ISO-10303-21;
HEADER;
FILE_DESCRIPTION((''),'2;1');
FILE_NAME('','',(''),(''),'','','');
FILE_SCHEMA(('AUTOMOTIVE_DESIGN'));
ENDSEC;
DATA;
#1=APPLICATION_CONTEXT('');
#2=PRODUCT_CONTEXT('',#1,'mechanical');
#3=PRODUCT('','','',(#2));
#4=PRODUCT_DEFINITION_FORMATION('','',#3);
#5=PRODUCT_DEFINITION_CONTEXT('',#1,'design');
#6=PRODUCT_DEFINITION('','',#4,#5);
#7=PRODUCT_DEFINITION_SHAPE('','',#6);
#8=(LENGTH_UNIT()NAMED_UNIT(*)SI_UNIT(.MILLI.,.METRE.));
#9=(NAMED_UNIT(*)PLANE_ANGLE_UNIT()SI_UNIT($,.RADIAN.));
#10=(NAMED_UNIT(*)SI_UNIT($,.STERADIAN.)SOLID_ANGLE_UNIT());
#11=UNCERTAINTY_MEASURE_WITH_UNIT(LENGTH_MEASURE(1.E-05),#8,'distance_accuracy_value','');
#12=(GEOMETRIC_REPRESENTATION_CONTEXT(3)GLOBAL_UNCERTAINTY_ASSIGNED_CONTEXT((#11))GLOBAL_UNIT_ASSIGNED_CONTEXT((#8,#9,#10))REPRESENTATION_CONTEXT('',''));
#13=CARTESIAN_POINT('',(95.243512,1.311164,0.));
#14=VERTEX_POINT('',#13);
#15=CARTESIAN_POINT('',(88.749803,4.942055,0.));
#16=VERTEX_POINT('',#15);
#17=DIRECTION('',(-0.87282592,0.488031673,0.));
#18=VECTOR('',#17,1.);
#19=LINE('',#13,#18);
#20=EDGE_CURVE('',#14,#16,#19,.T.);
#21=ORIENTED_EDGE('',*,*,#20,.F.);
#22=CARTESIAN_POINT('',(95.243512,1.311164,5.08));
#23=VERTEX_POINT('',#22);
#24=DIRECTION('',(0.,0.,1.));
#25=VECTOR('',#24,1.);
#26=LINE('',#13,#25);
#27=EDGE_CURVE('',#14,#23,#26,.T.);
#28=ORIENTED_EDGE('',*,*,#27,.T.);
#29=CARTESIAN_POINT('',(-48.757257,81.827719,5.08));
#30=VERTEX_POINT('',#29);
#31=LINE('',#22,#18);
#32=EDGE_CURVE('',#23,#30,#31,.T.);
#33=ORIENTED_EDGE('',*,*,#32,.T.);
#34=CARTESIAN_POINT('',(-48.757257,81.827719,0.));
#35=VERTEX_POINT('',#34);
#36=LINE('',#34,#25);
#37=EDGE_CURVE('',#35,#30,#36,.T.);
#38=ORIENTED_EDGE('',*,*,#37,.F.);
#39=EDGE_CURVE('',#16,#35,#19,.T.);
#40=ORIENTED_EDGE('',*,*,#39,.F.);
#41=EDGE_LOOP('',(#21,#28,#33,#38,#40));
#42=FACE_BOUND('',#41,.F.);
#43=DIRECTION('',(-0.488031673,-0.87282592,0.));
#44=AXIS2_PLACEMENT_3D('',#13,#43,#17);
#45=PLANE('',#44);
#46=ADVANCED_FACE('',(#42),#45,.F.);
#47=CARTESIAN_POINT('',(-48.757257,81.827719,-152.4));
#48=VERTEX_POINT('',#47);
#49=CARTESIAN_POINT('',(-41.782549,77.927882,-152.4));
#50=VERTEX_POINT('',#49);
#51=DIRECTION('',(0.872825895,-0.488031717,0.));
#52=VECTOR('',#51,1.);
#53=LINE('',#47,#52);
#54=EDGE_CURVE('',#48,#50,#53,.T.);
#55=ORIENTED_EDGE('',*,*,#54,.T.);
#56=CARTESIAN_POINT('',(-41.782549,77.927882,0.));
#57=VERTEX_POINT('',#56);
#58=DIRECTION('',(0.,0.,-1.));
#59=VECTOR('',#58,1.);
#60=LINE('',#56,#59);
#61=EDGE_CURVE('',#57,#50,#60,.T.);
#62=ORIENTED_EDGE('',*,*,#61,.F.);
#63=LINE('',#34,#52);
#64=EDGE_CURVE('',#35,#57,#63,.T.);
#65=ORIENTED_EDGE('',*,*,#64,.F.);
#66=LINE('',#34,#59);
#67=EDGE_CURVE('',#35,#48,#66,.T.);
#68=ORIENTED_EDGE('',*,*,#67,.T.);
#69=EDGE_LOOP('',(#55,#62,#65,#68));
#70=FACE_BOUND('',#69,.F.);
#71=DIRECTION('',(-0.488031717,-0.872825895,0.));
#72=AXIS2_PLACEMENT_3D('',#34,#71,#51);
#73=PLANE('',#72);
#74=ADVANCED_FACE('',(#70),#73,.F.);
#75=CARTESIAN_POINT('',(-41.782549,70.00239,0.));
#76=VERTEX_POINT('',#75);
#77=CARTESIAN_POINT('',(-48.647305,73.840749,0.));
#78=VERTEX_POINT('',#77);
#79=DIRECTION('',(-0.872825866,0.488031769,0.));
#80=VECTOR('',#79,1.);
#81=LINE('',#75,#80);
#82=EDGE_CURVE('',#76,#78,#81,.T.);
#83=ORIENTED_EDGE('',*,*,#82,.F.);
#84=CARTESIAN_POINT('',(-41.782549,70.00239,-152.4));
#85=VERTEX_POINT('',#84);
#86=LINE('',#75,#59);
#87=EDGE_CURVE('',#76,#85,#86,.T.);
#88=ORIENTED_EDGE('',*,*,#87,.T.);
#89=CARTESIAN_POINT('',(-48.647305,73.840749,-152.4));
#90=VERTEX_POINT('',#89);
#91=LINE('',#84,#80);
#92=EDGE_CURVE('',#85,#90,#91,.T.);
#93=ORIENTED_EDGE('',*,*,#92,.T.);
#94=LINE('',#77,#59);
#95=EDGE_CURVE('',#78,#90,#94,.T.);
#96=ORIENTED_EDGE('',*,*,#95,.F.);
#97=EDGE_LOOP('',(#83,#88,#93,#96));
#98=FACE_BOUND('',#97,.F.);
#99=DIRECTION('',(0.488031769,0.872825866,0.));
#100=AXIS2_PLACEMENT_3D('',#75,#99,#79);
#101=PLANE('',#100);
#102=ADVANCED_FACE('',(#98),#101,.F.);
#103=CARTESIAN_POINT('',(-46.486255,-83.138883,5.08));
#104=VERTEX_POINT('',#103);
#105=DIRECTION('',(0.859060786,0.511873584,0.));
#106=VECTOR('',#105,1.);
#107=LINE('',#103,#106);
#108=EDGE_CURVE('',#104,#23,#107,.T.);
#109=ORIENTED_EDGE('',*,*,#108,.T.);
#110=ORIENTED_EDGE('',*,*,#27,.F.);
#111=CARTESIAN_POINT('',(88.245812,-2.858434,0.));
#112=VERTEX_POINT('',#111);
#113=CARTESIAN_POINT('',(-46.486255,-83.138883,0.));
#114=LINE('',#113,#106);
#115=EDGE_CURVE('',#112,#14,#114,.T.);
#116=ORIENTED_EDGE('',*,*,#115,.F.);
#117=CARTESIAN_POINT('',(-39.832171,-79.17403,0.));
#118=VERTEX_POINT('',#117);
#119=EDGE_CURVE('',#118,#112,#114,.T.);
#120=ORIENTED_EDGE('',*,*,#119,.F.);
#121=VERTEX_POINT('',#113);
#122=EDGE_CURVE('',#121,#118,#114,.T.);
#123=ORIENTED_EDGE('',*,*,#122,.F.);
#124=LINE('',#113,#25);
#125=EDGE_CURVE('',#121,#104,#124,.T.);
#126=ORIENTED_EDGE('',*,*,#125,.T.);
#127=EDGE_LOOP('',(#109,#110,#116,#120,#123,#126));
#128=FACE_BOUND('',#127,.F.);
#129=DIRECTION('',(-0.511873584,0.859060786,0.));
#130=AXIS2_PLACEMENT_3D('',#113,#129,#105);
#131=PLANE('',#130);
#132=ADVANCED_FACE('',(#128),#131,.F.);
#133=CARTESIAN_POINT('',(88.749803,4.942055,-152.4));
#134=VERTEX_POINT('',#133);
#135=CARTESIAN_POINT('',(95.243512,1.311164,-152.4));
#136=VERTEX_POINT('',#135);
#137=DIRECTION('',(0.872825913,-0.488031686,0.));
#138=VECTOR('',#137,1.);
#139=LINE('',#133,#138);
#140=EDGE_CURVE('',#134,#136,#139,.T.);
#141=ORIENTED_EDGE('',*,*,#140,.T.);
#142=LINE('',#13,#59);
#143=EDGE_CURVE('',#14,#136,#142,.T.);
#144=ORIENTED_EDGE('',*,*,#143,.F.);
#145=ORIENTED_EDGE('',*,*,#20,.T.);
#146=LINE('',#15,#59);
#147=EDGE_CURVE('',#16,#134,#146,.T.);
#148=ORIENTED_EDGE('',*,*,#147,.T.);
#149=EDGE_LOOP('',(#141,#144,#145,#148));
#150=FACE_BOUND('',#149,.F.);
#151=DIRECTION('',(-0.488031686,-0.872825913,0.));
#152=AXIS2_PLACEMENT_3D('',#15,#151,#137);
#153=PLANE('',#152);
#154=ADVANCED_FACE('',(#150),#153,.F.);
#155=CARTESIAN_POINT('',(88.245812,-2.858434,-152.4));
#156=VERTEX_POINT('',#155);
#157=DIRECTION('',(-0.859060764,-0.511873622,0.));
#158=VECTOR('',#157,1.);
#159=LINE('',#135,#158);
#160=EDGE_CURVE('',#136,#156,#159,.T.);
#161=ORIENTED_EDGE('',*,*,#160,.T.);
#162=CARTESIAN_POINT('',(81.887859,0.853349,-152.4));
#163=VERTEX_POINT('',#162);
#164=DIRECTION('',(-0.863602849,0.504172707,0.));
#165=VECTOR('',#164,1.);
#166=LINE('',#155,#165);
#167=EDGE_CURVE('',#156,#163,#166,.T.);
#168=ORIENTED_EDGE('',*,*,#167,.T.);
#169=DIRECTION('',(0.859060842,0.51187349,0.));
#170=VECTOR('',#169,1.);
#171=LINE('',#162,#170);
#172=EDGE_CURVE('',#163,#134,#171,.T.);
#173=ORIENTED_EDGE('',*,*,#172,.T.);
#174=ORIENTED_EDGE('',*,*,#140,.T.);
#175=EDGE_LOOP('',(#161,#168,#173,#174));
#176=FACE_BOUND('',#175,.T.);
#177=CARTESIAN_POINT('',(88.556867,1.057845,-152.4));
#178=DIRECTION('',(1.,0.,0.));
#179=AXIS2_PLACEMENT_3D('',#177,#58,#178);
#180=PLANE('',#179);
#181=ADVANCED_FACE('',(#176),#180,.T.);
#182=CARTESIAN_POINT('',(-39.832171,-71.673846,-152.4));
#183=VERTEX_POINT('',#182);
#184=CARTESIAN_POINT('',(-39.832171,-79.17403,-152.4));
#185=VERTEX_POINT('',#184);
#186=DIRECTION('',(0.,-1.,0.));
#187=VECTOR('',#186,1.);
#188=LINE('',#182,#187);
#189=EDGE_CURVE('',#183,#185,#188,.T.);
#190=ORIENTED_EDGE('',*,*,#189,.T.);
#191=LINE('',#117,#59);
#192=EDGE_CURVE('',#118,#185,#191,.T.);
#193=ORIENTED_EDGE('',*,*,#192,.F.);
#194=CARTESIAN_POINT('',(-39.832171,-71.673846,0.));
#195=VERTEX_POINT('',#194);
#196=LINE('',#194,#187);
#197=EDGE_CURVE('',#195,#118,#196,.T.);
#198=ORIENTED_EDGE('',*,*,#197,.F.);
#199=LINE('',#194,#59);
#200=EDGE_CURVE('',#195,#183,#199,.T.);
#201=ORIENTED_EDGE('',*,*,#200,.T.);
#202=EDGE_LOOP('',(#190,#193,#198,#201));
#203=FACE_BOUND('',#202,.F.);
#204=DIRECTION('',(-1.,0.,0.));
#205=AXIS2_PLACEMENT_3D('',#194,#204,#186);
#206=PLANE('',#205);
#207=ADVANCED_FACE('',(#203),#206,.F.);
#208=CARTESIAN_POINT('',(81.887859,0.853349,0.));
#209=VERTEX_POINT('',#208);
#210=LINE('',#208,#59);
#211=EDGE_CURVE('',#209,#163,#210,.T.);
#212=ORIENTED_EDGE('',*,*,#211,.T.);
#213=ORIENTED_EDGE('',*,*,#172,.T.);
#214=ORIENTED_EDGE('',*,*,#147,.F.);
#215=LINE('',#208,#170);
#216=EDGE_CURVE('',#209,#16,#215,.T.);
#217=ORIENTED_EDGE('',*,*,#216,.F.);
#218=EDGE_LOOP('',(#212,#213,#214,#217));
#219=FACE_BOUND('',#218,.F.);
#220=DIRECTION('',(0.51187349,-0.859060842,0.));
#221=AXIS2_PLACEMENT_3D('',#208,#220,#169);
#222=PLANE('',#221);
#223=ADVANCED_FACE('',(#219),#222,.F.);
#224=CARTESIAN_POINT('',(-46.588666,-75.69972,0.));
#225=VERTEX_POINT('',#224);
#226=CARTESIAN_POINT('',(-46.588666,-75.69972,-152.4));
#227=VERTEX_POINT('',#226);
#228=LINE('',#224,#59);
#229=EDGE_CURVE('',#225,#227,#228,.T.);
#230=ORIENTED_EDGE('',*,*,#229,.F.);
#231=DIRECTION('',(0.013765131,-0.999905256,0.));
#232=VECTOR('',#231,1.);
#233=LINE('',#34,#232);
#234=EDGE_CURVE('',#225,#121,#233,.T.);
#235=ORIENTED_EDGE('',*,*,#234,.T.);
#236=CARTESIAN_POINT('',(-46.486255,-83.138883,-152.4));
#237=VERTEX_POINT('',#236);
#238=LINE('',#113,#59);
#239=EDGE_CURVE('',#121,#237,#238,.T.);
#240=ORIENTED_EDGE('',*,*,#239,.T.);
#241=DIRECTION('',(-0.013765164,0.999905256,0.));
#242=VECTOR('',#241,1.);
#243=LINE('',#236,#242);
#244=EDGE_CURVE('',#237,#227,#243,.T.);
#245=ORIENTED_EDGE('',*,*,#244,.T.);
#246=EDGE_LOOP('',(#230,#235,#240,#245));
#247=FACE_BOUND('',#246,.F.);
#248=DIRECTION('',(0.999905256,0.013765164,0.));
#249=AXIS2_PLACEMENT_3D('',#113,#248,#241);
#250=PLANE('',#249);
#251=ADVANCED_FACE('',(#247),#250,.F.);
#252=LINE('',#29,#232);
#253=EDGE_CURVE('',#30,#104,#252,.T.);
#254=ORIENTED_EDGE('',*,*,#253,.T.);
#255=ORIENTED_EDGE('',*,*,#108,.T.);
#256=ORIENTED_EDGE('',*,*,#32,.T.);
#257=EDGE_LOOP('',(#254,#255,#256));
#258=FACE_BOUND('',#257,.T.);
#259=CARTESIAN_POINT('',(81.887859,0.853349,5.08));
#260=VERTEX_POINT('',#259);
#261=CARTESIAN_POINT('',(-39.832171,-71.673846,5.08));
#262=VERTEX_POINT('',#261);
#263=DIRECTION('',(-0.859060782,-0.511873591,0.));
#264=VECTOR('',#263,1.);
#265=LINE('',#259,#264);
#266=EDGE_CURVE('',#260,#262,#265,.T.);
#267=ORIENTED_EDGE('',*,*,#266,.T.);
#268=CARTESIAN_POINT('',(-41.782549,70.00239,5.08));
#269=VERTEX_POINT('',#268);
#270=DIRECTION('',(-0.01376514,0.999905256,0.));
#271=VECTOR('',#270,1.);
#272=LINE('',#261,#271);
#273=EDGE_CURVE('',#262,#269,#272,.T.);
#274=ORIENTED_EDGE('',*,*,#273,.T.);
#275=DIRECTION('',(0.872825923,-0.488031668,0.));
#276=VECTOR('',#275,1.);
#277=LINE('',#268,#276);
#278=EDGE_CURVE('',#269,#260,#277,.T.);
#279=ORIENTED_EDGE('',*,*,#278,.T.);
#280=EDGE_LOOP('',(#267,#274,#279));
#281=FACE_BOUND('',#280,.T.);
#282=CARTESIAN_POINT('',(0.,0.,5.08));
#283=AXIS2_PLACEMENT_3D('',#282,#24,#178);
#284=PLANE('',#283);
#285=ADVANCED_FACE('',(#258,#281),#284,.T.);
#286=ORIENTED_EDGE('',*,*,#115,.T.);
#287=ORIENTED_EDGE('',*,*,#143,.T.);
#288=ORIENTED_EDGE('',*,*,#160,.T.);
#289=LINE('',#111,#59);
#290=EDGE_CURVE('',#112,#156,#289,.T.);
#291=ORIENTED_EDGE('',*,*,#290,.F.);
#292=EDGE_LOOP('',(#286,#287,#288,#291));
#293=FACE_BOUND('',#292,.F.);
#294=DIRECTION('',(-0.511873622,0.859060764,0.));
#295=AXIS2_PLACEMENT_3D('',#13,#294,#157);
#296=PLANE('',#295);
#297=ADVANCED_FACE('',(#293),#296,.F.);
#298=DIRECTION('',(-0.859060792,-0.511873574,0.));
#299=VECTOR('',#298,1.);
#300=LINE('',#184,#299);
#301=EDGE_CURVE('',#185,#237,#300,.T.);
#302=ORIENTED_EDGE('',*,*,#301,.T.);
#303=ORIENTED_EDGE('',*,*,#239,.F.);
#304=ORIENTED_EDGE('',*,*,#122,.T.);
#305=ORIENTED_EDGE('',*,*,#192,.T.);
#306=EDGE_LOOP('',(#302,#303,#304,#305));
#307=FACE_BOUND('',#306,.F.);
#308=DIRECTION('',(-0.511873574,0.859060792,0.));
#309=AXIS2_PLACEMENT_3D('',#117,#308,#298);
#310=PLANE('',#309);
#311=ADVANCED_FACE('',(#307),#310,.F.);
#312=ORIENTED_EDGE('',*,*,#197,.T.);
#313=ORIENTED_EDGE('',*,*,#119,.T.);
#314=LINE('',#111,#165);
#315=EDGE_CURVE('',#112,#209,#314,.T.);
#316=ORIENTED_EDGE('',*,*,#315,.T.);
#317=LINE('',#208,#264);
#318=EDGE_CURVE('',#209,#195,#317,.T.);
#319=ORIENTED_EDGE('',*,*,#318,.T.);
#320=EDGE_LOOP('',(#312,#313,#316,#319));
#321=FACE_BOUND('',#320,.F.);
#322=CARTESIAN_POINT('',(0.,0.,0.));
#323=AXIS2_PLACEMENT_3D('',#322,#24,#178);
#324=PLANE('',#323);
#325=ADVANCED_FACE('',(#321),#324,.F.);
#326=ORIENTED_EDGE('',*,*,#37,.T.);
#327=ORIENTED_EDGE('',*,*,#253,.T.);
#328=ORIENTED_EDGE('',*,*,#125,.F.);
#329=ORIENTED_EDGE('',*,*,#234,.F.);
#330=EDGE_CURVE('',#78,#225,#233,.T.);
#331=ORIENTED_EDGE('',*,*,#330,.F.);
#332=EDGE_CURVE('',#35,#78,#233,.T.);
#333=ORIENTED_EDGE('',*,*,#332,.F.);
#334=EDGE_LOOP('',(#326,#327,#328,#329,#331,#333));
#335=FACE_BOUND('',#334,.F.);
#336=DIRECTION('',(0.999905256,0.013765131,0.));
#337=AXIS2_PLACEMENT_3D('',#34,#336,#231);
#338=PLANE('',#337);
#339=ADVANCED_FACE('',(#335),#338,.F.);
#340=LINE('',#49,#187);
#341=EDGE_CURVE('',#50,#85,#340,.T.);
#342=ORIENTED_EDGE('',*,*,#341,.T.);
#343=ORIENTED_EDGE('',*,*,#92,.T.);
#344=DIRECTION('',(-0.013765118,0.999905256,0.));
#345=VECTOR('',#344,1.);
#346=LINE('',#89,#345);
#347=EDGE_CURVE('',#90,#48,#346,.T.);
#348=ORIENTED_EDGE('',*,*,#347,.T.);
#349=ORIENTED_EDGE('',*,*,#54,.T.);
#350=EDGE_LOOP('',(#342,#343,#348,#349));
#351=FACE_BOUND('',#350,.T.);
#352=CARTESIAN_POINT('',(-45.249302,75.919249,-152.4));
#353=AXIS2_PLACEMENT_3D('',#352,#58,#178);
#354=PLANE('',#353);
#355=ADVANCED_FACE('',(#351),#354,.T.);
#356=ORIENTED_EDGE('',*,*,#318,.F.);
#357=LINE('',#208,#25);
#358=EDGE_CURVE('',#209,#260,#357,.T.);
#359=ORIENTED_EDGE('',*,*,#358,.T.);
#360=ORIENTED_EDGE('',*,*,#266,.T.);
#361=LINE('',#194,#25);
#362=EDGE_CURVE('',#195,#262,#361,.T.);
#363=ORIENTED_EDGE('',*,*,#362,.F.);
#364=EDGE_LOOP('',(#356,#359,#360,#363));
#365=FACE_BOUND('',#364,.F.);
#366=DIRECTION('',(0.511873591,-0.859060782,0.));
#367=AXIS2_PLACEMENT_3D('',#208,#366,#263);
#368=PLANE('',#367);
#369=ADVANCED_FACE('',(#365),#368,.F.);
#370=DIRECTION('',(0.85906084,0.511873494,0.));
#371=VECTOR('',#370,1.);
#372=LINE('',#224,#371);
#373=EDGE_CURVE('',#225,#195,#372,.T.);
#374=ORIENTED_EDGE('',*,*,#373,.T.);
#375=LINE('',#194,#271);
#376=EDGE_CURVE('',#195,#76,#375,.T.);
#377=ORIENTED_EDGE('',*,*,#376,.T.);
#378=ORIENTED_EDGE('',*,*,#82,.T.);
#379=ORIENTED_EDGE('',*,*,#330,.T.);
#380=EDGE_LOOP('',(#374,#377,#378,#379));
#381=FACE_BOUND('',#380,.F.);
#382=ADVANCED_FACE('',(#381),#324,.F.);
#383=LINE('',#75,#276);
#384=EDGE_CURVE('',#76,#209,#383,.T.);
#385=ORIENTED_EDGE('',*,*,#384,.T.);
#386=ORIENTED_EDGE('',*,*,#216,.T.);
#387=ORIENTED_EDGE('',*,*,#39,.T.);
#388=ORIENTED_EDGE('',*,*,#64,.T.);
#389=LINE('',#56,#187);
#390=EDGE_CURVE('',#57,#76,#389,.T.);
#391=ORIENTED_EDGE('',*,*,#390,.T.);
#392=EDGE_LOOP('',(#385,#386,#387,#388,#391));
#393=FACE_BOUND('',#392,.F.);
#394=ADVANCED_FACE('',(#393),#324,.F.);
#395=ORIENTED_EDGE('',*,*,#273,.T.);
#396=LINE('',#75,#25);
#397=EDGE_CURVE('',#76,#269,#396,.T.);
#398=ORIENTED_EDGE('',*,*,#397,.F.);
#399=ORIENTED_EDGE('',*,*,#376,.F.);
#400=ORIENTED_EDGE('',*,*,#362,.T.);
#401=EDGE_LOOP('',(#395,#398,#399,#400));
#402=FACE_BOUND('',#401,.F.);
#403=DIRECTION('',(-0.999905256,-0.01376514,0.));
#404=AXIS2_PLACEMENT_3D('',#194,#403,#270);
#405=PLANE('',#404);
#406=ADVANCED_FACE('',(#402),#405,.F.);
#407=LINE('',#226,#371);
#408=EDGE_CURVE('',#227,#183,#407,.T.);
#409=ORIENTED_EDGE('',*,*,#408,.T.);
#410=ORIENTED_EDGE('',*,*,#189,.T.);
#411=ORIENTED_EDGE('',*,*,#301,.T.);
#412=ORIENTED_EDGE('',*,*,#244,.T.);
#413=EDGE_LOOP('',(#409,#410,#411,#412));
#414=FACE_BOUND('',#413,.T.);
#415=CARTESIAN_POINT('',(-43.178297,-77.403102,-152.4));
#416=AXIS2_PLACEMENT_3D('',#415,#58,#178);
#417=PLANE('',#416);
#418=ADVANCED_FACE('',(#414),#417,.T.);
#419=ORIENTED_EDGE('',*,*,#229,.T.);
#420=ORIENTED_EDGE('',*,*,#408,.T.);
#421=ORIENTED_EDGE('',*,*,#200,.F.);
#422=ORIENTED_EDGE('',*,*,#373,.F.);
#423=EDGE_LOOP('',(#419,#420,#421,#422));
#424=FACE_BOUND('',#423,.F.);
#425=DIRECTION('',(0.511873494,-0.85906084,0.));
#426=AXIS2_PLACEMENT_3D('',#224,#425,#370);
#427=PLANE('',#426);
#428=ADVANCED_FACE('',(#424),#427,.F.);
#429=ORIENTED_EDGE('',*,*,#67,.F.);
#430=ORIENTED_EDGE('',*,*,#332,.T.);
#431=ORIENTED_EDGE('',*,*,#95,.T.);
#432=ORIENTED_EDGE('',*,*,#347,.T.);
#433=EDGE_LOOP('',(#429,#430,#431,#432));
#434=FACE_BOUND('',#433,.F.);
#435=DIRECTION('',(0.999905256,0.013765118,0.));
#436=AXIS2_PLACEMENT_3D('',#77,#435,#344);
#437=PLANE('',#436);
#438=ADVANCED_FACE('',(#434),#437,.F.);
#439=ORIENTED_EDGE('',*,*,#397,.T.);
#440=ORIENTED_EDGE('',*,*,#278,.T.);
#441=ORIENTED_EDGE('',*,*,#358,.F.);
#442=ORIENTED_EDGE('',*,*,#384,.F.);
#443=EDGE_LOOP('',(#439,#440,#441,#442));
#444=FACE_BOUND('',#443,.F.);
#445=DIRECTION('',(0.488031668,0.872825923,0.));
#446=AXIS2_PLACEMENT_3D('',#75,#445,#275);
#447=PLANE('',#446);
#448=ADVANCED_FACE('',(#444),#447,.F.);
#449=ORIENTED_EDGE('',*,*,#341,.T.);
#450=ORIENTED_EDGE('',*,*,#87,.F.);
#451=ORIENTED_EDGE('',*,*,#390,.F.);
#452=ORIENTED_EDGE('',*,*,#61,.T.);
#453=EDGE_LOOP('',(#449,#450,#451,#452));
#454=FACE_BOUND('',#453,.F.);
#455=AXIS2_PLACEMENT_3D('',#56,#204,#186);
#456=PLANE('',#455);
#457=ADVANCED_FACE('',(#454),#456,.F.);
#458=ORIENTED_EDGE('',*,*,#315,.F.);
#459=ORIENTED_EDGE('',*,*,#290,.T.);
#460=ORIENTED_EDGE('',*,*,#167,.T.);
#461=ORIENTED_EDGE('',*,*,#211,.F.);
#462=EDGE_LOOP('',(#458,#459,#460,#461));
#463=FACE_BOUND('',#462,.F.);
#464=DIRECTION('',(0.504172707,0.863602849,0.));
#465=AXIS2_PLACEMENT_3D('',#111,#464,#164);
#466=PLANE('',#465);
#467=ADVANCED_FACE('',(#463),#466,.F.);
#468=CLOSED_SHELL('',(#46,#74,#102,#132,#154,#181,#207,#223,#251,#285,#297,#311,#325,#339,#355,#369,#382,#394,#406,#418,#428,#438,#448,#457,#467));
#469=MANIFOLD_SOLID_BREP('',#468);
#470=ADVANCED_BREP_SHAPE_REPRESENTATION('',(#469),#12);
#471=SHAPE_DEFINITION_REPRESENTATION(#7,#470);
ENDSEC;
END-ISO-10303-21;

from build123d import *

# Parameters (mm, degrees)
F1_DEPTH = 5.08
F3_DEPTH = 152.4


with BuildPart() as f1:
    # F0 (on Top) → F1 (new body)
    with BuildSketch(Plane.XY):
        Polygon((95.243512, 1.311164), (-48.757257, 81.827719), (-46.486255, -83.138883), align=None)
        Polygon((-41.782549, 70.00239), (81.887859, 0.853349), (-39.832171, -71.673846), align=None, mode=Mode.SUBTRACT)
    extrude(amount=F1_DEPTH)

    # F2 (on face) → F3 (join)
    with BuildSketch(Plane(origin=(0, 0, 0), x_dir=(1, 0, 0), z_dir=(0, 0, -1))):
        Polygon((-41.782549, -77.927882), (-41.782549, -70.00239), (-48.647305, -73.840749), (-48.757257, -81.827719), align=None)
        Polygon((88.245812, 2.858434), (81.887859, -0.853349), (88.749803, -4.942055), (95.243512, -1.311164), align=None)
        Polygon((-46.588666, 75.69972), (-39.832171, 71.673846), (-39.832171, 79.17403), (-46.486255, 83.138883), align=None)
    extrude(amount=F3_DEPTH)


solid = f1.part
